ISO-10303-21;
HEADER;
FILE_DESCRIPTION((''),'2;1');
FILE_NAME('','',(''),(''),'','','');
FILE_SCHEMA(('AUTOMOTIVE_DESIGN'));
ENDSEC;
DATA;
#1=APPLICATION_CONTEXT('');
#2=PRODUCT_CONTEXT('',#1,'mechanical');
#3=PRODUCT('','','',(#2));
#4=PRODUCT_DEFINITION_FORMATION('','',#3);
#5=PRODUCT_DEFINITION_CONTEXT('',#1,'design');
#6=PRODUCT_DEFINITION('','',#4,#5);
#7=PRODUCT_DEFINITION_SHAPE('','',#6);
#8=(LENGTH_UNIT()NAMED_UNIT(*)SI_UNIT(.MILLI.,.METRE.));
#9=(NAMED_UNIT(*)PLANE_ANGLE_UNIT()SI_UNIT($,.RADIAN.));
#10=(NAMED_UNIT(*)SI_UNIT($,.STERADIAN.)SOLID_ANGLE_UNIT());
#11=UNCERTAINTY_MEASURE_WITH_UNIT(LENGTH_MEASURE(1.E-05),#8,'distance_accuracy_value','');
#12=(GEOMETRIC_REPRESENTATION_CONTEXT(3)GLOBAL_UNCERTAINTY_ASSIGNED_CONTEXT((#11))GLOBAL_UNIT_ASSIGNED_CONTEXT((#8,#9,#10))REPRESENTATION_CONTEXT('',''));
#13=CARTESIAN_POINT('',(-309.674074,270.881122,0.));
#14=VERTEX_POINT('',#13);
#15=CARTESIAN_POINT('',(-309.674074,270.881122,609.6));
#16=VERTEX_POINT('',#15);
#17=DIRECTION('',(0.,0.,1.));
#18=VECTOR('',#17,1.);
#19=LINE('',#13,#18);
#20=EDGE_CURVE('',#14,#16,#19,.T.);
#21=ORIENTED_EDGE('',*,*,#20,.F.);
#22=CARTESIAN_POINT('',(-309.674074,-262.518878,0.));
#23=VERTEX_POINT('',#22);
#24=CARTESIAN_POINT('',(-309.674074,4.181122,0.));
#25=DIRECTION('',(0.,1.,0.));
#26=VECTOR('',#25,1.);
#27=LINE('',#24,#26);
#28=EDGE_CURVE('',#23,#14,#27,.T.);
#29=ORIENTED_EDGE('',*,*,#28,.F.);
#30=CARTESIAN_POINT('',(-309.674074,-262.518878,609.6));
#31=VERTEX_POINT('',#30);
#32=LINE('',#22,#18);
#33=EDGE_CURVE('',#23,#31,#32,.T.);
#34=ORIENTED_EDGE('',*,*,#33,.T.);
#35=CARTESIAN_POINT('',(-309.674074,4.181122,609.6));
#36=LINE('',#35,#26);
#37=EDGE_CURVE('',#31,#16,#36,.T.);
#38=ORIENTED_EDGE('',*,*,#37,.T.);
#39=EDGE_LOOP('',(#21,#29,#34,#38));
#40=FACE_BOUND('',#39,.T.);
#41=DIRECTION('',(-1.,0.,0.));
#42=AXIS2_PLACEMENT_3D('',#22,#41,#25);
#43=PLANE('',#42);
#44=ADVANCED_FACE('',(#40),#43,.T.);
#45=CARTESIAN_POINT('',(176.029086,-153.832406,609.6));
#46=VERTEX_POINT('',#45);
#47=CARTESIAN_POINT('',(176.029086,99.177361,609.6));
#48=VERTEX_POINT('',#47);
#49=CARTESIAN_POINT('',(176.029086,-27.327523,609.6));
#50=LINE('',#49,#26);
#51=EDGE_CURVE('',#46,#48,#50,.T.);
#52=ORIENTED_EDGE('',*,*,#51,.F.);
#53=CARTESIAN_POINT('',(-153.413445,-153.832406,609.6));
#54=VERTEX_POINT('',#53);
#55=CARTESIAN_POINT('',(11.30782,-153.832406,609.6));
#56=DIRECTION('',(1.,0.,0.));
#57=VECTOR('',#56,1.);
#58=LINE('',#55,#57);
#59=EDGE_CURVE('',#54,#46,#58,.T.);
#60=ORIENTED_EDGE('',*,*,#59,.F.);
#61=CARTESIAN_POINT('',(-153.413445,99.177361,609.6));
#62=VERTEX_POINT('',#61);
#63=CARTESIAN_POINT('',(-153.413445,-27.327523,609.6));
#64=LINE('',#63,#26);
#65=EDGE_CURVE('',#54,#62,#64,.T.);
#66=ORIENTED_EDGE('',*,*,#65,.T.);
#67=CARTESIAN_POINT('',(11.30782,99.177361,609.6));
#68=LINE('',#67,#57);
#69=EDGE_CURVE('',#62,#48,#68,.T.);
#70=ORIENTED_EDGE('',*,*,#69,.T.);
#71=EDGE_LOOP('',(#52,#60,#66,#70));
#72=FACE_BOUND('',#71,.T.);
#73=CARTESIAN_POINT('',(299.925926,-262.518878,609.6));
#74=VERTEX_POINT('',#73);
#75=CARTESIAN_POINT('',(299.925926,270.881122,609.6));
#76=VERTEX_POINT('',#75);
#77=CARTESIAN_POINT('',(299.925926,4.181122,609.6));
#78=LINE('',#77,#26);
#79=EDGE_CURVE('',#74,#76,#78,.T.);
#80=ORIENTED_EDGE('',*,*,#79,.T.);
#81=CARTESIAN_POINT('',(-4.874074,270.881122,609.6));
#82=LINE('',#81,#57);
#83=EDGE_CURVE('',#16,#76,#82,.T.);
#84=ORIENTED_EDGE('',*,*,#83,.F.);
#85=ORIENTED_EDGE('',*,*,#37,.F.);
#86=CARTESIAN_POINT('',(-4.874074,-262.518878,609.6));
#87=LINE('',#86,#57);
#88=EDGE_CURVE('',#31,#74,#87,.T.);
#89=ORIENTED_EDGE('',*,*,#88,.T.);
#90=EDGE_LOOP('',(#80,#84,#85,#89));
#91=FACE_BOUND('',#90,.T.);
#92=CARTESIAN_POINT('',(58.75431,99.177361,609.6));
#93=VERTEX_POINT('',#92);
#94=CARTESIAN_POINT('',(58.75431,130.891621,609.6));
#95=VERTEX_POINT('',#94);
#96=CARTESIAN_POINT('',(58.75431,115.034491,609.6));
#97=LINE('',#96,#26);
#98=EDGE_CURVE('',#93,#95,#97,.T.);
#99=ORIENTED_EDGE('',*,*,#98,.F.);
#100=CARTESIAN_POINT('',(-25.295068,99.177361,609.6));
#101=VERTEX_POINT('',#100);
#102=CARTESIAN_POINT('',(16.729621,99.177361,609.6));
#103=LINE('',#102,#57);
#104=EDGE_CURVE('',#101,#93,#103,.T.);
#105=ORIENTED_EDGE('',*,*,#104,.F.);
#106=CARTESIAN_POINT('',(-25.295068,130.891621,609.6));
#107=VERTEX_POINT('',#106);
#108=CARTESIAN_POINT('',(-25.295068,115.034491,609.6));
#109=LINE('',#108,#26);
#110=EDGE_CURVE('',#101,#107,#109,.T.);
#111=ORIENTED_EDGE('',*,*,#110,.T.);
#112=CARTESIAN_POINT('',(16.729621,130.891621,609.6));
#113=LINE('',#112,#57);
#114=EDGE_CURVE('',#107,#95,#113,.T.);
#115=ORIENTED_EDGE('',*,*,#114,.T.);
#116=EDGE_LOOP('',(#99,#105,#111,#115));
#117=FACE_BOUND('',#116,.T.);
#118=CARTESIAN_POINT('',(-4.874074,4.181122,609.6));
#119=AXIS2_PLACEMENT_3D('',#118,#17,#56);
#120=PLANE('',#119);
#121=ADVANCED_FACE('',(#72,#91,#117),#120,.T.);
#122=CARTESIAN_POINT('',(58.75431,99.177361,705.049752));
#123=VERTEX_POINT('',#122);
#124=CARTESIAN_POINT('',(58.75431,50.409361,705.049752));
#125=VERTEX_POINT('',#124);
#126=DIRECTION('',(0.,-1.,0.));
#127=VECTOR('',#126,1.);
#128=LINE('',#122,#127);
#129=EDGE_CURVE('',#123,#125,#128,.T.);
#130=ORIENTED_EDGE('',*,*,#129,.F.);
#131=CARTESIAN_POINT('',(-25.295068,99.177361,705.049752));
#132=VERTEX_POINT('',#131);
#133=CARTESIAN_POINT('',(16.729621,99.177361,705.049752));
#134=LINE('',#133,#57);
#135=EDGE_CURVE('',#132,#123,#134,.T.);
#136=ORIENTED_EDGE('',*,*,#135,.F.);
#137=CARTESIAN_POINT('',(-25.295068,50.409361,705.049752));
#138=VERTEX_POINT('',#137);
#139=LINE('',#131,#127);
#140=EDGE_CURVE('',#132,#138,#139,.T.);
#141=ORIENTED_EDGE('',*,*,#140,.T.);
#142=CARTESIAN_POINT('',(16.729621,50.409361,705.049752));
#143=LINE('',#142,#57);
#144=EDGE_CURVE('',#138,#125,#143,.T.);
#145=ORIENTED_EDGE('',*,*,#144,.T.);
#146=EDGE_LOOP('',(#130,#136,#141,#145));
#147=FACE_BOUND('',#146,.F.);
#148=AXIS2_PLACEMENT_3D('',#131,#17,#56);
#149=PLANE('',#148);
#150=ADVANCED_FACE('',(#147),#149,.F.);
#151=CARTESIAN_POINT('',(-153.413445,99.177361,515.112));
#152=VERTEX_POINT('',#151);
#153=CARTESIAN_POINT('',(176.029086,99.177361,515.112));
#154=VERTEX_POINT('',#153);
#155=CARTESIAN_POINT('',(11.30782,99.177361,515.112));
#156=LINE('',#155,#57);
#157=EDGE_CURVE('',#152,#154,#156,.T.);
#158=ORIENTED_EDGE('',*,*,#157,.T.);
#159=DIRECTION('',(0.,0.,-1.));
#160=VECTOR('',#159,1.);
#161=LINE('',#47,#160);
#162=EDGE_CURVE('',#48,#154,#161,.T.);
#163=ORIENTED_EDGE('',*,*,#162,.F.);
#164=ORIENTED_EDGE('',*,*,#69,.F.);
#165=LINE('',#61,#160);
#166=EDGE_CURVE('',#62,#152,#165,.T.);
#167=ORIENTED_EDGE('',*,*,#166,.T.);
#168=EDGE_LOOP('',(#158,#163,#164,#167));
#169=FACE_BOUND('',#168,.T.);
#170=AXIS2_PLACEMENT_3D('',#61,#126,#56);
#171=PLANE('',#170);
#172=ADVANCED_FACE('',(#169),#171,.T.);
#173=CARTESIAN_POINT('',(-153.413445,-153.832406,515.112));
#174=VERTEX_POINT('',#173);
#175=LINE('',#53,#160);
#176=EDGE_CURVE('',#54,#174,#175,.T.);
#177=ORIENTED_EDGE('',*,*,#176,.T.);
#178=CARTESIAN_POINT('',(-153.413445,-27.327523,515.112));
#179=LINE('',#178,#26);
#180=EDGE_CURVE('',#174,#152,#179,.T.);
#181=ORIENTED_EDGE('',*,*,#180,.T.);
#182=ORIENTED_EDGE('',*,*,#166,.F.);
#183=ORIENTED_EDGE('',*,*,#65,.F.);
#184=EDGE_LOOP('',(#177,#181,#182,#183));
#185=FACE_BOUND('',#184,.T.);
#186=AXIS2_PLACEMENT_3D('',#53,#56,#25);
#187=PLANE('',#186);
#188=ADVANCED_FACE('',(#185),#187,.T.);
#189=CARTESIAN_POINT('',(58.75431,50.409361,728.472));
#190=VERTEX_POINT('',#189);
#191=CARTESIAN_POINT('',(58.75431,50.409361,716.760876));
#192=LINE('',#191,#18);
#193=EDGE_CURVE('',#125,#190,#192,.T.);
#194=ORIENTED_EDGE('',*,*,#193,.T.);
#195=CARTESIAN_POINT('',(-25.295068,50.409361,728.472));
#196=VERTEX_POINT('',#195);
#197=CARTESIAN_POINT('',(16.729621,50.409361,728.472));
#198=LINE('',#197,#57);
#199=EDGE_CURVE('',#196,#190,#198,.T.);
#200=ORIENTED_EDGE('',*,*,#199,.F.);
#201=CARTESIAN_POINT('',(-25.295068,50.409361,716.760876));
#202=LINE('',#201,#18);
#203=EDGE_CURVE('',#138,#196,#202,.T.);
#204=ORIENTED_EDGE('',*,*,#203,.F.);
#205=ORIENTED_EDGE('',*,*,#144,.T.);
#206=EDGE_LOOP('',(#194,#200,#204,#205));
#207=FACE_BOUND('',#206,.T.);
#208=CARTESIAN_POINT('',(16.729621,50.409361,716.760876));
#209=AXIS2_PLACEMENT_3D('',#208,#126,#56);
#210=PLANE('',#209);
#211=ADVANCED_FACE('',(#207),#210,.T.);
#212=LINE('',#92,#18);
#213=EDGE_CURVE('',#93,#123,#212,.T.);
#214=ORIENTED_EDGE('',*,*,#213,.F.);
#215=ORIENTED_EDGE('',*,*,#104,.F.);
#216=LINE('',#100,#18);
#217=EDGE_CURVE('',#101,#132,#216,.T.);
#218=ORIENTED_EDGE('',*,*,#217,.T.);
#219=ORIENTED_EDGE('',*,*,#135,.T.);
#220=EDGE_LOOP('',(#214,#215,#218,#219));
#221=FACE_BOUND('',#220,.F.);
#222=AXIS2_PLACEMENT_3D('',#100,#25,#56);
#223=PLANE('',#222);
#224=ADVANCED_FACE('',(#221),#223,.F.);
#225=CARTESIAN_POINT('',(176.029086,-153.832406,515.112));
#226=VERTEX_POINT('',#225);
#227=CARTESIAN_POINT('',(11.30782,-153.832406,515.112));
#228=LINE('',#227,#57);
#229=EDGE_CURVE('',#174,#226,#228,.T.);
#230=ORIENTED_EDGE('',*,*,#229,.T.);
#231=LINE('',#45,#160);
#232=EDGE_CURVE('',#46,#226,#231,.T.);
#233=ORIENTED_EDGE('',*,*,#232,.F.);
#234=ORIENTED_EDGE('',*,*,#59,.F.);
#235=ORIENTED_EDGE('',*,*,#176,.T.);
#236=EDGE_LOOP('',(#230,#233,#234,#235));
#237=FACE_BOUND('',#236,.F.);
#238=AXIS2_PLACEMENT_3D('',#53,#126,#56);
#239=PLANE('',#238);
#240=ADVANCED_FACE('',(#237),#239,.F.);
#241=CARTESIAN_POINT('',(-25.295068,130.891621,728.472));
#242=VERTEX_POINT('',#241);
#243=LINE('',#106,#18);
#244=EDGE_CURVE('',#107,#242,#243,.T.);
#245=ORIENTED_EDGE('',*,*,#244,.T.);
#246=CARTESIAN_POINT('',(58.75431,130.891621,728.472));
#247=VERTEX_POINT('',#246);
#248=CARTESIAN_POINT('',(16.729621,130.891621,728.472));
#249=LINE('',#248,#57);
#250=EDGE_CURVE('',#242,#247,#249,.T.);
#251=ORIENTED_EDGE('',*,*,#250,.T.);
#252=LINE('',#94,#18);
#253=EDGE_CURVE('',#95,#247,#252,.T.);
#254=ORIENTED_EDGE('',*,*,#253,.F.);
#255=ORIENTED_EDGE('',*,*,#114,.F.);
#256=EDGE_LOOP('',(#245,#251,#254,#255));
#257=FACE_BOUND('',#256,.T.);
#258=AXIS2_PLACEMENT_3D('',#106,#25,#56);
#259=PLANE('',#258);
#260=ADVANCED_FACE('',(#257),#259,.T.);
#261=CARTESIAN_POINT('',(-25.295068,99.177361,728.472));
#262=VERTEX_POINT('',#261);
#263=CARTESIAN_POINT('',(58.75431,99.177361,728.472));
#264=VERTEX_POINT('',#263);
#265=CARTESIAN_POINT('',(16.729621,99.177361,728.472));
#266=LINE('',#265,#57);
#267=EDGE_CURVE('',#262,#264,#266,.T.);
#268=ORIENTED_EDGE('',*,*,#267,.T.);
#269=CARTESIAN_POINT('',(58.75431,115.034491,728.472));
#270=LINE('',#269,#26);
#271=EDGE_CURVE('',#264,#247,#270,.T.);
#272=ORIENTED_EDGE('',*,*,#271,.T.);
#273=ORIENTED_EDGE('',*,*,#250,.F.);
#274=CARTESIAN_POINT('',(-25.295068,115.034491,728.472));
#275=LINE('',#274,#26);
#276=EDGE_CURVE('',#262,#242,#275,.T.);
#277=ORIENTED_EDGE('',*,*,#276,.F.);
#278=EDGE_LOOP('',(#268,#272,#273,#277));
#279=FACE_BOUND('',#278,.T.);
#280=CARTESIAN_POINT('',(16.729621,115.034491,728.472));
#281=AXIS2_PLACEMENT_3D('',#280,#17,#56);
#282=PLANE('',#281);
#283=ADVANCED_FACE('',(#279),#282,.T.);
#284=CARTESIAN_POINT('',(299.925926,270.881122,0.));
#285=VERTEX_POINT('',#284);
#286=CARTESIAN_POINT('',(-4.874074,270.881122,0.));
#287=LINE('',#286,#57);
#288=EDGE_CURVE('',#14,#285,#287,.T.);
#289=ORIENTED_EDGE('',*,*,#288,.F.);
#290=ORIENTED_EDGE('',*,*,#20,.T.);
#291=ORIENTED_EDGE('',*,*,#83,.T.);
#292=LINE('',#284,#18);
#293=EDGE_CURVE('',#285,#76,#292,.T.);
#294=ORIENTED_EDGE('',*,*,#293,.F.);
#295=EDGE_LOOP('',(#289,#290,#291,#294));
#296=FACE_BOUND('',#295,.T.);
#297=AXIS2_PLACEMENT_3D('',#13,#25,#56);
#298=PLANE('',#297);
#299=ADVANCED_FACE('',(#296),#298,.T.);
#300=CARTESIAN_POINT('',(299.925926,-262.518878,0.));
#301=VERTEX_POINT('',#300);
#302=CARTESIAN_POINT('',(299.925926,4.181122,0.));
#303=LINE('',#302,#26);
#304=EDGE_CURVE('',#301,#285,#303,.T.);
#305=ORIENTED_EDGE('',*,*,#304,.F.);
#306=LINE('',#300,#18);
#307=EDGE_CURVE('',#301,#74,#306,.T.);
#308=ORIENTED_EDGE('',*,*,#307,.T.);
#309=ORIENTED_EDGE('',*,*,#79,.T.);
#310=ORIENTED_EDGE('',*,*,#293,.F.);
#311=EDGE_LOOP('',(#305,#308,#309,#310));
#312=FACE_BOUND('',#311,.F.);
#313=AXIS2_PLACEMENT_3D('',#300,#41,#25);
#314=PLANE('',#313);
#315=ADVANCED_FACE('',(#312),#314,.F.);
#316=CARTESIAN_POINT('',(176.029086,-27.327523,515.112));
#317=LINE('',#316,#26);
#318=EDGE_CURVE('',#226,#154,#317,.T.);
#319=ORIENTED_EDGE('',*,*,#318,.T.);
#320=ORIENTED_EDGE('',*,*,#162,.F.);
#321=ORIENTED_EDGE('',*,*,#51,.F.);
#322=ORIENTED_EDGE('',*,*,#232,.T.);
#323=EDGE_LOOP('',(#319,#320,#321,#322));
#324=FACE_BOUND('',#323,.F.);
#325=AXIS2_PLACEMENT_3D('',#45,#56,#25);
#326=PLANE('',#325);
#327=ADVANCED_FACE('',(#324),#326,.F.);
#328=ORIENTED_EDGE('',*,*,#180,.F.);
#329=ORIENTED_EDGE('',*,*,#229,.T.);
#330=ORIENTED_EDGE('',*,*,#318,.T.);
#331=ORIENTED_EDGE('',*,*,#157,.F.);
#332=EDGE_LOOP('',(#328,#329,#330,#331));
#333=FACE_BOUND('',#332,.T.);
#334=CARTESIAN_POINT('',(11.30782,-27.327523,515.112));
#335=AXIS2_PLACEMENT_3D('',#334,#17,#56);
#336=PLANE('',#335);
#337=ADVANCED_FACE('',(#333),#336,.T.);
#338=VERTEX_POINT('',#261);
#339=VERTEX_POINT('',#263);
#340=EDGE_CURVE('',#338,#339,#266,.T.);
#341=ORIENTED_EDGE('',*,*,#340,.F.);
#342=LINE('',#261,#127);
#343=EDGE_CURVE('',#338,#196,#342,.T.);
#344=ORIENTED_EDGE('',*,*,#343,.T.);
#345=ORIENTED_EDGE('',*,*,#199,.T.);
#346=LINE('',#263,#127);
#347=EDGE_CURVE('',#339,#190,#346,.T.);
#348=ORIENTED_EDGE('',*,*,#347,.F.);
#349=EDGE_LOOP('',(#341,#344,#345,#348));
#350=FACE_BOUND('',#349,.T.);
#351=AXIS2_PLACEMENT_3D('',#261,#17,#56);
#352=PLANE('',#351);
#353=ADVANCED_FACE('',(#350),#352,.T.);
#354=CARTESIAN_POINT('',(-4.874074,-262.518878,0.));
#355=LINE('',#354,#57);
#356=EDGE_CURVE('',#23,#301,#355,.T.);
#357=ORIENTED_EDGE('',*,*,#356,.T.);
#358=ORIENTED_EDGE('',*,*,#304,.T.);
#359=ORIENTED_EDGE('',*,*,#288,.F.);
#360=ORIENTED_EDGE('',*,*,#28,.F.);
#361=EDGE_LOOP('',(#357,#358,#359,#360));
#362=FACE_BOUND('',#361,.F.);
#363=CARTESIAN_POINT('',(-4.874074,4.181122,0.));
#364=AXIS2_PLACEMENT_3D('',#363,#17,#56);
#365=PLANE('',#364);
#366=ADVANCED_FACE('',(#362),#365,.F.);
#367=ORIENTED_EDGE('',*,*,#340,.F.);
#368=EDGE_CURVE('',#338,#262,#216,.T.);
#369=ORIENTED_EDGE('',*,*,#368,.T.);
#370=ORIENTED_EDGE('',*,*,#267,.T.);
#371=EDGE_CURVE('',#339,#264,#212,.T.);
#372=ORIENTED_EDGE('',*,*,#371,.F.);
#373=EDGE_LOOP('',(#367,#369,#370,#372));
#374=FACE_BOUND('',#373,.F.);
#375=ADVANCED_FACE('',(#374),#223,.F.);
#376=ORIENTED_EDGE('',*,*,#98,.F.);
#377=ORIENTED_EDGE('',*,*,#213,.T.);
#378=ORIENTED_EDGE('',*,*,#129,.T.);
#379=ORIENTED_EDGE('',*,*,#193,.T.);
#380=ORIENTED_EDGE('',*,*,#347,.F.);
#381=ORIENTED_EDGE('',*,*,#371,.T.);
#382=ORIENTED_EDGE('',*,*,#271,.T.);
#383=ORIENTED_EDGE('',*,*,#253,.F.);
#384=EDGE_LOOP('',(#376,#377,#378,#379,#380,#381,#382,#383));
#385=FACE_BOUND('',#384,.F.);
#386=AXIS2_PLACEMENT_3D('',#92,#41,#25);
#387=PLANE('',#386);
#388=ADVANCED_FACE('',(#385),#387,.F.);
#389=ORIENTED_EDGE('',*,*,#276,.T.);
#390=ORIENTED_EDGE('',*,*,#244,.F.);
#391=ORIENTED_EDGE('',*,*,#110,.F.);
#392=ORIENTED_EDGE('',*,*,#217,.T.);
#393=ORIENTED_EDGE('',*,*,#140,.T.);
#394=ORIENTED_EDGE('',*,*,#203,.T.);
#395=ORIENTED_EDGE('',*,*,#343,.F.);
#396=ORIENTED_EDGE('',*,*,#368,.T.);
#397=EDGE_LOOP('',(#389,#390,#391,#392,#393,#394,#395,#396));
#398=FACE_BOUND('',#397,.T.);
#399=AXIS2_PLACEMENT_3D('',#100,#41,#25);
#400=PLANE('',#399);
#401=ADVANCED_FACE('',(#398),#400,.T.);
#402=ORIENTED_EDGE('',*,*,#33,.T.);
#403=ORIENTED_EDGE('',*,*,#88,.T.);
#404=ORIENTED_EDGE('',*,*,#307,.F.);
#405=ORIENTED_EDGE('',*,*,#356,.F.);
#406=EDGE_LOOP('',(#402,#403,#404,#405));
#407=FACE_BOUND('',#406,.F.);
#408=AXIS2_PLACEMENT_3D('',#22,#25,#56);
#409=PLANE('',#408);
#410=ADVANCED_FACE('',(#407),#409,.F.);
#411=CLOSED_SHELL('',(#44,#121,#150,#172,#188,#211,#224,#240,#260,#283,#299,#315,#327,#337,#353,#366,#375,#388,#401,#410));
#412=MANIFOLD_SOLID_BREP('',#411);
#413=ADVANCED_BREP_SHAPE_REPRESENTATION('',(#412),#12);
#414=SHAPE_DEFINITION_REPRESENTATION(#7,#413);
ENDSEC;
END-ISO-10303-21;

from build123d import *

# Parameters (mm, degrees)
F0_W     = 609.6
F0_H     = 533.4
F1_DEPTH = 609.6
F2_W     = 329.442531
F2_H     = 253.009767
F3_DEPTH = 94.488
F4_W     = 84.049378
F4_H     = 31.71426
F5_DEPTH = 118.872
F6_W     = 84.049378
F6_H     = 23.422247
F7_DEPTH = 48.768


with BuildPart() as f1:
    # F0 (on Top) → F1 (new body)
    with BuildSketch(Plane.XY):
        with Locations((-4.874074, 4.181122)):
            Rectangle(F0_W, F0_H)
    extrude(amount=F1_DEPTH)

    # F2 (on face) → F3 (cut)
    with BuildSketch(Plane.XY.offset(609.6)):
        with Locations((11.30782, -27.327523)):
            Rectangle(F2_W, F2_H)
    extrude(amount=-F3_DEPTH, mode=Mode.SUBTRACT)

    # F4 (on face) → F5 (join)
    with BuildSketch(Plane.XY.offset(609.6)):
        with Locations((16.729621, 115.034491)):
            Rectangle(F4_W, F4_H)
    extrude(amount=F5_DEPTH)

    # F6 (on face) → F7 (join)
    with BuildSketch(Plane.XZ.offset(-99.177361)):
        with Locations((16.729621, 716.760876)):
            Rectangle(F6_W, F6_H)
    extrude(amount=F7_DEPTH)


solid = f1.part
